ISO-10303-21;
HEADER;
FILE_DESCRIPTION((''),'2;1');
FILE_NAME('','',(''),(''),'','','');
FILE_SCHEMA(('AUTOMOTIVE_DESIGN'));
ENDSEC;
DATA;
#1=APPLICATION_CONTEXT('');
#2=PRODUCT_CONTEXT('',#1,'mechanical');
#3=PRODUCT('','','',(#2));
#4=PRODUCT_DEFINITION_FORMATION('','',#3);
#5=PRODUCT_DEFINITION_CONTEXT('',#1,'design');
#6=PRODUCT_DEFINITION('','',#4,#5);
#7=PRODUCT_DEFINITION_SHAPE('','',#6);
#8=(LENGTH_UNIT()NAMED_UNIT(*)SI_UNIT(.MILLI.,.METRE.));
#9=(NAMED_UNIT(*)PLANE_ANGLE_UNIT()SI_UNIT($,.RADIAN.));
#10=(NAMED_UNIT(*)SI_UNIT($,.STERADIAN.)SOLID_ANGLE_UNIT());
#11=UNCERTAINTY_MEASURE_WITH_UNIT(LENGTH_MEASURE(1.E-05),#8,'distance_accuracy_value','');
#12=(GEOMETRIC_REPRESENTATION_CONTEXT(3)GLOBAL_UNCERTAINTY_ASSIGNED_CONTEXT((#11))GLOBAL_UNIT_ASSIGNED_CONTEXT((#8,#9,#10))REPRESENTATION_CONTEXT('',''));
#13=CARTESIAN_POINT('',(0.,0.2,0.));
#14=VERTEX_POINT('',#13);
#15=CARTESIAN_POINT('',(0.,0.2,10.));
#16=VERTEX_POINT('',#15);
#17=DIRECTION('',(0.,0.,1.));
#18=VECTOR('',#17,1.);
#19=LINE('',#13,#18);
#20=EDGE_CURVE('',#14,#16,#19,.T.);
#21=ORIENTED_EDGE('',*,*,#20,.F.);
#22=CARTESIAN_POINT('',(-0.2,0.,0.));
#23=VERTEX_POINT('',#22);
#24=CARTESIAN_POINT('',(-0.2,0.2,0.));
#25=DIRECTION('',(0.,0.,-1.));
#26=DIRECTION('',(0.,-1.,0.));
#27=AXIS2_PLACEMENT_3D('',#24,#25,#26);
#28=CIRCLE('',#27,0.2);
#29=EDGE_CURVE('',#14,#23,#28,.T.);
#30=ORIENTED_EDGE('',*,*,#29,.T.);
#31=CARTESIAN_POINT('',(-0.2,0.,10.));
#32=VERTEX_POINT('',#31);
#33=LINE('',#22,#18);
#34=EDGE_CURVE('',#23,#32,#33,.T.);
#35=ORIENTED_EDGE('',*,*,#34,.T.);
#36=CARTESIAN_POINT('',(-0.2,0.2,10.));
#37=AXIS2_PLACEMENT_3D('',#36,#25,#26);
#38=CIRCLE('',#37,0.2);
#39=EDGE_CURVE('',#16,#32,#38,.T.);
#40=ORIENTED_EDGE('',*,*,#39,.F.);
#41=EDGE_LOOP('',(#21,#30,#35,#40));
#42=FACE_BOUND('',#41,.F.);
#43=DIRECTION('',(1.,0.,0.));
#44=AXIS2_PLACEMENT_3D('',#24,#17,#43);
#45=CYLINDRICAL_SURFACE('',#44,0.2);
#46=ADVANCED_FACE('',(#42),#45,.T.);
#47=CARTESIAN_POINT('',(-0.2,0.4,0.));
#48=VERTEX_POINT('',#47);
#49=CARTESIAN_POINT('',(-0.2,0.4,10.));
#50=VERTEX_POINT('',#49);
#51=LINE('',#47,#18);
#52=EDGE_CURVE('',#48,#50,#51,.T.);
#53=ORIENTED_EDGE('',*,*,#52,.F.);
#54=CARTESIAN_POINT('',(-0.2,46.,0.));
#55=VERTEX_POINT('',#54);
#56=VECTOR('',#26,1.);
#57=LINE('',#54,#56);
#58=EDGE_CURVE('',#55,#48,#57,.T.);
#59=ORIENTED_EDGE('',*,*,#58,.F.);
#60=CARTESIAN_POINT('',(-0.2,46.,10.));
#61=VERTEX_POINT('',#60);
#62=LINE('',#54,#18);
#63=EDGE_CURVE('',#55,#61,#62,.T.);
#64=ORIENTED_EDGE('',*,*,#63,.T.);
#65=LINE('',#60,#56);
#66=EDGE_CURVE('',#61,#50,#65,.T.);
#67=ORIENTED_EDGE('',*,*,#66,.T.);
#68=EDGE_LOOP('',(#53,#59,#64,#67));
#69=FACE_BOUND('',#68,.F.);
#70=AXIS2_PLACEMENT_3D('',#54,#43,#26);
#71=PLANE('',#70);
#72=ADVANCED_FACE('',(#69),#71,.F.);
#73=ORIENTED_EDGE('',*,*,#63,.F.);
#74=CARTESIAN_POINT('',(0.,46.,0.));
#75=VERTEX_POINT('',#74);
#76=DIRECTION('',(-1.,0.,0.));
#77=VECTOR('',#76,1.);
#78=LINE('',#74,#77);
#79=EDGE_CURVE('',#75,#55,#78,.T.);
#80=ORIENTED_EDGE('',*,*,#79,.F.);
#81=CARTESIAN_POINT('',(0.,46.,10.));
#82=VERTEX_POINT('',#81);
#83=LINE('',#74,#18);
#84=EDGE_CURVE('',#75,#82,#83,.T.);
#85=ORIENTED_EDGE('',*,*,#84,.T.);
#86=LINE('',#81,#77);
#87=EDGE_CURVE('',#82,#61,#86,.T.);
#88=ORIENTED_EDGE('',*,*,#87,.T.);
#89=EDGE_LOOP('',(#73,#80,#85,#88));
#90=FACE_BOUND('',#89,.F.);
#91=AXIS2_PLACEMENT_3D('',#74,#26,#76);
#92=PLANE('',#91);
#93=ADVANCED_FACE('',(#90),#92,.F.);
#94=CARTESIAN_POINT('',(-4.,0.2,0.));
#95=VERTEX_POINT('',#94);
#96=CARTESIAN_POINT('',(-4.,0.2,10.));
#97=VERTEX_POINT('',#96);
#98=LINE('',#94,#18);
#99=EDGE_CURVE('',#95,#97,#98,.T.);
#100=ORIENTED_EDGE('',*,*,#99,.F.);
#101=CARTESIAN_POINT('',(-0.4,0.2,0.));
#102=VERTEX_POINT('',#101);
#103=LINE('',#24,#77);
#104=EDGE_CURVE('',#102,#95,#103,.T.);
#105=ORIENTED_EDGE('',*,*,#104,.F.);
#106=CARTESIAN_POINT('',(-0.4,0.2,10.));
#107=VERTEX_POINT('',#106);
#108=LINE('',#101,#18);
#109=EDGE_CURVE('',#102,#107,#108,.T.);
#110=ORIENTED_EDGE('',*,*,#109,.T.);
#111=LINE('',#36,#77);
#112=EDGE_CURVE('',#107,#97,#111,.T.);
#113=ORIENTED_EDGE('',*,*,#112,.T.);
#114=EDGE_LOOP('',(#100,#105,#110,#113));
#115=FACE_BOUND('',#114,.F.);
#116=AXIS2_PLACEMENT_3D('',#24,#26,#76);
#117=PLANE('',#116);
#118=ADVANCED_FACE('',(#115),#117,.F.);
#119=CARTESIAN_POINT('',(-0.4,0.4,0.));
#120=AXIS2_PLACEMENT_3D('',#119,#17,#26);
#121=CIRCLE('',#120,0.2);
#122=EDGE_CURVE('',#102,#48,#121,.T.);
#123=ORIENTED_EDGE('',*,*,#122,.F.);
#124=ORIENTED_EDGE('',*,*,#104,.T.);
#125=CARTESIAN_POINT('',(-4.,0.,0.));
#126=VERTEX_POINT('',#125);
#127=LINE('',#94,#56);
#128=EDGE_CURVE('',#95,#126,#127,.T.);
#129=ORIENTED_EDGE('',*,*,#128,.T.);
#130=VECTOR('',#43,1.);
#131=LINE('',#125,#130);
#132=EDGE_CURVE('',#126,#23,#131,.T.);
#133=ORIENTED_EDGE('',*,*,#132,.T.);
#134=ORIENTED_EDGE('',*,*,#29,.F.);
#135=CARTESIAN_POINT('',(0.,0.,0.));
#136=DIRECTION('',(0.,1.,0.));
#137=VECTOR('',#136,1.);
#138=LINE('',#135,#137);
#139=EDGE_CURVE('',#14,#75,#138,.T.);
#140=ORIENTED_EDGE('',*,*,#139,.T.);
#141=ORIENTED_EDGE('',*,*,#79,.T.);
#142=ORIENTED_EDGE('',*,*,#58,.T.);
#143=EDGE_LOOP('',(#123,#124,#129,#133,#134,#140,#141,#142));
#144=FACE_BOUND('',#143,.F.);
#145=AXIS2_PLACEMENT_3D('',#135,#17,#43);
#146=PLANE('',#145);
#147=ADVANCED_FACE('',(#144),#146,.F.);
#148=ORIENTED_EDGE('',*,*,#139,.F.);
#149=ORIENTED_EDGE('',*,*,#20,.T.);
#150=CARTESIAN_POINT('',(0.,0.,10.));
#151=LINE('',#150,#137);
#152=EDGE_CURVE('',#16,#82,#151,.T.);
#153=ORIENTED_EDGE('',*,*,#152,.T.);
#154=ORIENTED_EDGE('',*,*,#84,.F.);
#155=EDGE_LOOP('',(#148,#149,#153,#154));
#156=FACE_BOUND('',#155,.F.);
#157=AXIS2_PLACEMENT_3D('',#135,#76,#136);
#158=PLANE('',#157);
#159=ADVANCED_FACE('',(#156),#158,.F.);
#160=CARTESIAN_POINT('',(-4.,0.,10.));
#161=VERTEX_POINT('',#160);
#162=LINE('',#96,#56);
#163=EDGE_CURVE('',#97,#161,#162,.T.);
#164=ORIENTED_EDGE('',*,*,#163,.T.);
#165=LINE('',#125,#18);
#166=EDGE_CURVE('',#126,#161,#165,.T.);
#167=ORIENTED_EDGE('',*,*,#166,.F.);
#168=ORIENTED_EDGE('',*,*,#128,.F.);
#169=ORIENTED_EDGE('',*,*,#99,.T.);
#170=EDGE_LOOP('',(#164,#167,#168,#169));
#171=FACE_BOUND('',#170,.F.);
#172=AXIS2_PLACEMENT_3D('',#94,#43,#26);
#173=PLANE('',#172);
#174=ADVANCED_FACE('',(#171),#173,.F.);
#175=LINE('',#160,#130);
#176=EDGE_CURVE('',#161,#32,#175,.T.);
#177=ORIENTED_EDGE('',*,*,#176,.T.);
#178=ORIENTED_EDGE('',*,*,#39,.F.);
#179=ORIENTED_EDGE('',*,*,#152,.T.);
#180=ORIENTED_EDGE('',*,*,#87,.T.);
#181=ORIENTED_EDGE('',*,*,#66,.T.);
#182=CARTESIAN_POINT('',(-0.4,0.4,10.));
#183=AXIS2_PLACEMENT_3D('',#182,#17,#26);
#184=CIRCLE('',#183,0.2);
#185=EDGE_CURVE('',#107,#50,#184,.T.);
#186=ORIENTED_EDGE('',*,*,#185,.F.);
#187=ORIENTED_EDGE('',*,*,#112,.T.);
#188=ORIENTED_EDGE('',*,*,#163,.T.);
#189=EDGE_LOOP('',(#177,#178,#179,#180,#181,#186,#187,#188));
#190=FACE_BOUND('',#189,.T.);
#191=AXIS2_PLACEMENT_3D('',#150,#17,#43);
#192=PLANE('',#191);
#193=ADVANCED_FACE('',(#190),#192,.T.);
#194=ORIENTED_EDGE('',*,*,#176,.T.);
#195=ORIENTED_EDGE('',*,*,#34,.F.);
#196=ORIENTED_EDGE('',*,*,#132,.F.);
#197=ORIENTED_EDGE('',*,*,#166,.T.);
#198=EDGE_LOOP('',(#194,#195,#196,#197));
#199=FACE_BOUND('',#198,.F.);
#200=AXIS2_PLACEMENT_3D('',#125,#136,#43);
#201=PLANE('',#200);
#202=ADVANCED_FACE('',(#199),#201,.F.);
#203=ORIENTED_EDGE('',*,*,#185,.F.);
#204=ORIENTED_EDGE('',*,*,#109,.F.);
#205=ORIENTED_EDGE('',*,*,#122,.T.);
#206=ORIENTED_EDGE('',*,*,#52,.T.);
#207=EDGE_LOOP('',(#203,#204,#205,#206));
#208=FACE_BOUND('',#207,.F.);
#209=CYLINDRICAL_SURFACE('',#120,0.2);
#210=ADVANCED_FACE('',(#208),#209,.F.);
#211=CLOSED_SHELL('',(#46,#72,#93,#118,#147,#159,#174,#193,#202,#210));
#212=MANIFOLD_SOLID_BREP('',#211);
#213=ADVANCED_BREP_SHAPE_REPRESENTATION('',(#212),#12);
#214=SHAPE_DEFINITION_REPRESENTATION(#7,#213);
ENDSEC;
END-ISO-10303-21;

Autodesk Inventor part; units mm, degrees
ref_plane "YZ Plane" through (0, 0, 0) normal (1, 0, 0) x (0, 1, 0)
ref_plane "XZ Plane" through (0, 0, 0) normal (0, 1, 0) x (-1, 0, 0)
ref_plane "XY Plane" through (0, 0, 0) normal (0, 0, 1) x (1, 0, 0)
sketch "Sketch1" plane through (0, 0, 0) normal (0, 0, 1) x (1, 0, 0)
  line L0 (-4, 0) -> (0, 0)
  line L1 (0, 0) -> (0, 46)
  line L2 (0, 46) -> (-0.2, 46)
  line L3 (-0.2, 46) -> (-0.2, 0.2)
  line L4 (-0.2, 0.2) -> (-4, 0.2)
  line L5 (-4, 0.2) -> (-4, 0)
  dimension "d0" = 0.2
  dimension "d1" = 0.2
  dimension "d2" = 46
  dimension "d3" = 4
extrude "Extrusion1" add sketch "Sketch1" along normal blind 10
fillet "Fillet1" radius 0.2 2 edges at (0, 0, 5) (-0.2, 0.2, 5)
properties part number "Feder" material "Stainless Steel"
